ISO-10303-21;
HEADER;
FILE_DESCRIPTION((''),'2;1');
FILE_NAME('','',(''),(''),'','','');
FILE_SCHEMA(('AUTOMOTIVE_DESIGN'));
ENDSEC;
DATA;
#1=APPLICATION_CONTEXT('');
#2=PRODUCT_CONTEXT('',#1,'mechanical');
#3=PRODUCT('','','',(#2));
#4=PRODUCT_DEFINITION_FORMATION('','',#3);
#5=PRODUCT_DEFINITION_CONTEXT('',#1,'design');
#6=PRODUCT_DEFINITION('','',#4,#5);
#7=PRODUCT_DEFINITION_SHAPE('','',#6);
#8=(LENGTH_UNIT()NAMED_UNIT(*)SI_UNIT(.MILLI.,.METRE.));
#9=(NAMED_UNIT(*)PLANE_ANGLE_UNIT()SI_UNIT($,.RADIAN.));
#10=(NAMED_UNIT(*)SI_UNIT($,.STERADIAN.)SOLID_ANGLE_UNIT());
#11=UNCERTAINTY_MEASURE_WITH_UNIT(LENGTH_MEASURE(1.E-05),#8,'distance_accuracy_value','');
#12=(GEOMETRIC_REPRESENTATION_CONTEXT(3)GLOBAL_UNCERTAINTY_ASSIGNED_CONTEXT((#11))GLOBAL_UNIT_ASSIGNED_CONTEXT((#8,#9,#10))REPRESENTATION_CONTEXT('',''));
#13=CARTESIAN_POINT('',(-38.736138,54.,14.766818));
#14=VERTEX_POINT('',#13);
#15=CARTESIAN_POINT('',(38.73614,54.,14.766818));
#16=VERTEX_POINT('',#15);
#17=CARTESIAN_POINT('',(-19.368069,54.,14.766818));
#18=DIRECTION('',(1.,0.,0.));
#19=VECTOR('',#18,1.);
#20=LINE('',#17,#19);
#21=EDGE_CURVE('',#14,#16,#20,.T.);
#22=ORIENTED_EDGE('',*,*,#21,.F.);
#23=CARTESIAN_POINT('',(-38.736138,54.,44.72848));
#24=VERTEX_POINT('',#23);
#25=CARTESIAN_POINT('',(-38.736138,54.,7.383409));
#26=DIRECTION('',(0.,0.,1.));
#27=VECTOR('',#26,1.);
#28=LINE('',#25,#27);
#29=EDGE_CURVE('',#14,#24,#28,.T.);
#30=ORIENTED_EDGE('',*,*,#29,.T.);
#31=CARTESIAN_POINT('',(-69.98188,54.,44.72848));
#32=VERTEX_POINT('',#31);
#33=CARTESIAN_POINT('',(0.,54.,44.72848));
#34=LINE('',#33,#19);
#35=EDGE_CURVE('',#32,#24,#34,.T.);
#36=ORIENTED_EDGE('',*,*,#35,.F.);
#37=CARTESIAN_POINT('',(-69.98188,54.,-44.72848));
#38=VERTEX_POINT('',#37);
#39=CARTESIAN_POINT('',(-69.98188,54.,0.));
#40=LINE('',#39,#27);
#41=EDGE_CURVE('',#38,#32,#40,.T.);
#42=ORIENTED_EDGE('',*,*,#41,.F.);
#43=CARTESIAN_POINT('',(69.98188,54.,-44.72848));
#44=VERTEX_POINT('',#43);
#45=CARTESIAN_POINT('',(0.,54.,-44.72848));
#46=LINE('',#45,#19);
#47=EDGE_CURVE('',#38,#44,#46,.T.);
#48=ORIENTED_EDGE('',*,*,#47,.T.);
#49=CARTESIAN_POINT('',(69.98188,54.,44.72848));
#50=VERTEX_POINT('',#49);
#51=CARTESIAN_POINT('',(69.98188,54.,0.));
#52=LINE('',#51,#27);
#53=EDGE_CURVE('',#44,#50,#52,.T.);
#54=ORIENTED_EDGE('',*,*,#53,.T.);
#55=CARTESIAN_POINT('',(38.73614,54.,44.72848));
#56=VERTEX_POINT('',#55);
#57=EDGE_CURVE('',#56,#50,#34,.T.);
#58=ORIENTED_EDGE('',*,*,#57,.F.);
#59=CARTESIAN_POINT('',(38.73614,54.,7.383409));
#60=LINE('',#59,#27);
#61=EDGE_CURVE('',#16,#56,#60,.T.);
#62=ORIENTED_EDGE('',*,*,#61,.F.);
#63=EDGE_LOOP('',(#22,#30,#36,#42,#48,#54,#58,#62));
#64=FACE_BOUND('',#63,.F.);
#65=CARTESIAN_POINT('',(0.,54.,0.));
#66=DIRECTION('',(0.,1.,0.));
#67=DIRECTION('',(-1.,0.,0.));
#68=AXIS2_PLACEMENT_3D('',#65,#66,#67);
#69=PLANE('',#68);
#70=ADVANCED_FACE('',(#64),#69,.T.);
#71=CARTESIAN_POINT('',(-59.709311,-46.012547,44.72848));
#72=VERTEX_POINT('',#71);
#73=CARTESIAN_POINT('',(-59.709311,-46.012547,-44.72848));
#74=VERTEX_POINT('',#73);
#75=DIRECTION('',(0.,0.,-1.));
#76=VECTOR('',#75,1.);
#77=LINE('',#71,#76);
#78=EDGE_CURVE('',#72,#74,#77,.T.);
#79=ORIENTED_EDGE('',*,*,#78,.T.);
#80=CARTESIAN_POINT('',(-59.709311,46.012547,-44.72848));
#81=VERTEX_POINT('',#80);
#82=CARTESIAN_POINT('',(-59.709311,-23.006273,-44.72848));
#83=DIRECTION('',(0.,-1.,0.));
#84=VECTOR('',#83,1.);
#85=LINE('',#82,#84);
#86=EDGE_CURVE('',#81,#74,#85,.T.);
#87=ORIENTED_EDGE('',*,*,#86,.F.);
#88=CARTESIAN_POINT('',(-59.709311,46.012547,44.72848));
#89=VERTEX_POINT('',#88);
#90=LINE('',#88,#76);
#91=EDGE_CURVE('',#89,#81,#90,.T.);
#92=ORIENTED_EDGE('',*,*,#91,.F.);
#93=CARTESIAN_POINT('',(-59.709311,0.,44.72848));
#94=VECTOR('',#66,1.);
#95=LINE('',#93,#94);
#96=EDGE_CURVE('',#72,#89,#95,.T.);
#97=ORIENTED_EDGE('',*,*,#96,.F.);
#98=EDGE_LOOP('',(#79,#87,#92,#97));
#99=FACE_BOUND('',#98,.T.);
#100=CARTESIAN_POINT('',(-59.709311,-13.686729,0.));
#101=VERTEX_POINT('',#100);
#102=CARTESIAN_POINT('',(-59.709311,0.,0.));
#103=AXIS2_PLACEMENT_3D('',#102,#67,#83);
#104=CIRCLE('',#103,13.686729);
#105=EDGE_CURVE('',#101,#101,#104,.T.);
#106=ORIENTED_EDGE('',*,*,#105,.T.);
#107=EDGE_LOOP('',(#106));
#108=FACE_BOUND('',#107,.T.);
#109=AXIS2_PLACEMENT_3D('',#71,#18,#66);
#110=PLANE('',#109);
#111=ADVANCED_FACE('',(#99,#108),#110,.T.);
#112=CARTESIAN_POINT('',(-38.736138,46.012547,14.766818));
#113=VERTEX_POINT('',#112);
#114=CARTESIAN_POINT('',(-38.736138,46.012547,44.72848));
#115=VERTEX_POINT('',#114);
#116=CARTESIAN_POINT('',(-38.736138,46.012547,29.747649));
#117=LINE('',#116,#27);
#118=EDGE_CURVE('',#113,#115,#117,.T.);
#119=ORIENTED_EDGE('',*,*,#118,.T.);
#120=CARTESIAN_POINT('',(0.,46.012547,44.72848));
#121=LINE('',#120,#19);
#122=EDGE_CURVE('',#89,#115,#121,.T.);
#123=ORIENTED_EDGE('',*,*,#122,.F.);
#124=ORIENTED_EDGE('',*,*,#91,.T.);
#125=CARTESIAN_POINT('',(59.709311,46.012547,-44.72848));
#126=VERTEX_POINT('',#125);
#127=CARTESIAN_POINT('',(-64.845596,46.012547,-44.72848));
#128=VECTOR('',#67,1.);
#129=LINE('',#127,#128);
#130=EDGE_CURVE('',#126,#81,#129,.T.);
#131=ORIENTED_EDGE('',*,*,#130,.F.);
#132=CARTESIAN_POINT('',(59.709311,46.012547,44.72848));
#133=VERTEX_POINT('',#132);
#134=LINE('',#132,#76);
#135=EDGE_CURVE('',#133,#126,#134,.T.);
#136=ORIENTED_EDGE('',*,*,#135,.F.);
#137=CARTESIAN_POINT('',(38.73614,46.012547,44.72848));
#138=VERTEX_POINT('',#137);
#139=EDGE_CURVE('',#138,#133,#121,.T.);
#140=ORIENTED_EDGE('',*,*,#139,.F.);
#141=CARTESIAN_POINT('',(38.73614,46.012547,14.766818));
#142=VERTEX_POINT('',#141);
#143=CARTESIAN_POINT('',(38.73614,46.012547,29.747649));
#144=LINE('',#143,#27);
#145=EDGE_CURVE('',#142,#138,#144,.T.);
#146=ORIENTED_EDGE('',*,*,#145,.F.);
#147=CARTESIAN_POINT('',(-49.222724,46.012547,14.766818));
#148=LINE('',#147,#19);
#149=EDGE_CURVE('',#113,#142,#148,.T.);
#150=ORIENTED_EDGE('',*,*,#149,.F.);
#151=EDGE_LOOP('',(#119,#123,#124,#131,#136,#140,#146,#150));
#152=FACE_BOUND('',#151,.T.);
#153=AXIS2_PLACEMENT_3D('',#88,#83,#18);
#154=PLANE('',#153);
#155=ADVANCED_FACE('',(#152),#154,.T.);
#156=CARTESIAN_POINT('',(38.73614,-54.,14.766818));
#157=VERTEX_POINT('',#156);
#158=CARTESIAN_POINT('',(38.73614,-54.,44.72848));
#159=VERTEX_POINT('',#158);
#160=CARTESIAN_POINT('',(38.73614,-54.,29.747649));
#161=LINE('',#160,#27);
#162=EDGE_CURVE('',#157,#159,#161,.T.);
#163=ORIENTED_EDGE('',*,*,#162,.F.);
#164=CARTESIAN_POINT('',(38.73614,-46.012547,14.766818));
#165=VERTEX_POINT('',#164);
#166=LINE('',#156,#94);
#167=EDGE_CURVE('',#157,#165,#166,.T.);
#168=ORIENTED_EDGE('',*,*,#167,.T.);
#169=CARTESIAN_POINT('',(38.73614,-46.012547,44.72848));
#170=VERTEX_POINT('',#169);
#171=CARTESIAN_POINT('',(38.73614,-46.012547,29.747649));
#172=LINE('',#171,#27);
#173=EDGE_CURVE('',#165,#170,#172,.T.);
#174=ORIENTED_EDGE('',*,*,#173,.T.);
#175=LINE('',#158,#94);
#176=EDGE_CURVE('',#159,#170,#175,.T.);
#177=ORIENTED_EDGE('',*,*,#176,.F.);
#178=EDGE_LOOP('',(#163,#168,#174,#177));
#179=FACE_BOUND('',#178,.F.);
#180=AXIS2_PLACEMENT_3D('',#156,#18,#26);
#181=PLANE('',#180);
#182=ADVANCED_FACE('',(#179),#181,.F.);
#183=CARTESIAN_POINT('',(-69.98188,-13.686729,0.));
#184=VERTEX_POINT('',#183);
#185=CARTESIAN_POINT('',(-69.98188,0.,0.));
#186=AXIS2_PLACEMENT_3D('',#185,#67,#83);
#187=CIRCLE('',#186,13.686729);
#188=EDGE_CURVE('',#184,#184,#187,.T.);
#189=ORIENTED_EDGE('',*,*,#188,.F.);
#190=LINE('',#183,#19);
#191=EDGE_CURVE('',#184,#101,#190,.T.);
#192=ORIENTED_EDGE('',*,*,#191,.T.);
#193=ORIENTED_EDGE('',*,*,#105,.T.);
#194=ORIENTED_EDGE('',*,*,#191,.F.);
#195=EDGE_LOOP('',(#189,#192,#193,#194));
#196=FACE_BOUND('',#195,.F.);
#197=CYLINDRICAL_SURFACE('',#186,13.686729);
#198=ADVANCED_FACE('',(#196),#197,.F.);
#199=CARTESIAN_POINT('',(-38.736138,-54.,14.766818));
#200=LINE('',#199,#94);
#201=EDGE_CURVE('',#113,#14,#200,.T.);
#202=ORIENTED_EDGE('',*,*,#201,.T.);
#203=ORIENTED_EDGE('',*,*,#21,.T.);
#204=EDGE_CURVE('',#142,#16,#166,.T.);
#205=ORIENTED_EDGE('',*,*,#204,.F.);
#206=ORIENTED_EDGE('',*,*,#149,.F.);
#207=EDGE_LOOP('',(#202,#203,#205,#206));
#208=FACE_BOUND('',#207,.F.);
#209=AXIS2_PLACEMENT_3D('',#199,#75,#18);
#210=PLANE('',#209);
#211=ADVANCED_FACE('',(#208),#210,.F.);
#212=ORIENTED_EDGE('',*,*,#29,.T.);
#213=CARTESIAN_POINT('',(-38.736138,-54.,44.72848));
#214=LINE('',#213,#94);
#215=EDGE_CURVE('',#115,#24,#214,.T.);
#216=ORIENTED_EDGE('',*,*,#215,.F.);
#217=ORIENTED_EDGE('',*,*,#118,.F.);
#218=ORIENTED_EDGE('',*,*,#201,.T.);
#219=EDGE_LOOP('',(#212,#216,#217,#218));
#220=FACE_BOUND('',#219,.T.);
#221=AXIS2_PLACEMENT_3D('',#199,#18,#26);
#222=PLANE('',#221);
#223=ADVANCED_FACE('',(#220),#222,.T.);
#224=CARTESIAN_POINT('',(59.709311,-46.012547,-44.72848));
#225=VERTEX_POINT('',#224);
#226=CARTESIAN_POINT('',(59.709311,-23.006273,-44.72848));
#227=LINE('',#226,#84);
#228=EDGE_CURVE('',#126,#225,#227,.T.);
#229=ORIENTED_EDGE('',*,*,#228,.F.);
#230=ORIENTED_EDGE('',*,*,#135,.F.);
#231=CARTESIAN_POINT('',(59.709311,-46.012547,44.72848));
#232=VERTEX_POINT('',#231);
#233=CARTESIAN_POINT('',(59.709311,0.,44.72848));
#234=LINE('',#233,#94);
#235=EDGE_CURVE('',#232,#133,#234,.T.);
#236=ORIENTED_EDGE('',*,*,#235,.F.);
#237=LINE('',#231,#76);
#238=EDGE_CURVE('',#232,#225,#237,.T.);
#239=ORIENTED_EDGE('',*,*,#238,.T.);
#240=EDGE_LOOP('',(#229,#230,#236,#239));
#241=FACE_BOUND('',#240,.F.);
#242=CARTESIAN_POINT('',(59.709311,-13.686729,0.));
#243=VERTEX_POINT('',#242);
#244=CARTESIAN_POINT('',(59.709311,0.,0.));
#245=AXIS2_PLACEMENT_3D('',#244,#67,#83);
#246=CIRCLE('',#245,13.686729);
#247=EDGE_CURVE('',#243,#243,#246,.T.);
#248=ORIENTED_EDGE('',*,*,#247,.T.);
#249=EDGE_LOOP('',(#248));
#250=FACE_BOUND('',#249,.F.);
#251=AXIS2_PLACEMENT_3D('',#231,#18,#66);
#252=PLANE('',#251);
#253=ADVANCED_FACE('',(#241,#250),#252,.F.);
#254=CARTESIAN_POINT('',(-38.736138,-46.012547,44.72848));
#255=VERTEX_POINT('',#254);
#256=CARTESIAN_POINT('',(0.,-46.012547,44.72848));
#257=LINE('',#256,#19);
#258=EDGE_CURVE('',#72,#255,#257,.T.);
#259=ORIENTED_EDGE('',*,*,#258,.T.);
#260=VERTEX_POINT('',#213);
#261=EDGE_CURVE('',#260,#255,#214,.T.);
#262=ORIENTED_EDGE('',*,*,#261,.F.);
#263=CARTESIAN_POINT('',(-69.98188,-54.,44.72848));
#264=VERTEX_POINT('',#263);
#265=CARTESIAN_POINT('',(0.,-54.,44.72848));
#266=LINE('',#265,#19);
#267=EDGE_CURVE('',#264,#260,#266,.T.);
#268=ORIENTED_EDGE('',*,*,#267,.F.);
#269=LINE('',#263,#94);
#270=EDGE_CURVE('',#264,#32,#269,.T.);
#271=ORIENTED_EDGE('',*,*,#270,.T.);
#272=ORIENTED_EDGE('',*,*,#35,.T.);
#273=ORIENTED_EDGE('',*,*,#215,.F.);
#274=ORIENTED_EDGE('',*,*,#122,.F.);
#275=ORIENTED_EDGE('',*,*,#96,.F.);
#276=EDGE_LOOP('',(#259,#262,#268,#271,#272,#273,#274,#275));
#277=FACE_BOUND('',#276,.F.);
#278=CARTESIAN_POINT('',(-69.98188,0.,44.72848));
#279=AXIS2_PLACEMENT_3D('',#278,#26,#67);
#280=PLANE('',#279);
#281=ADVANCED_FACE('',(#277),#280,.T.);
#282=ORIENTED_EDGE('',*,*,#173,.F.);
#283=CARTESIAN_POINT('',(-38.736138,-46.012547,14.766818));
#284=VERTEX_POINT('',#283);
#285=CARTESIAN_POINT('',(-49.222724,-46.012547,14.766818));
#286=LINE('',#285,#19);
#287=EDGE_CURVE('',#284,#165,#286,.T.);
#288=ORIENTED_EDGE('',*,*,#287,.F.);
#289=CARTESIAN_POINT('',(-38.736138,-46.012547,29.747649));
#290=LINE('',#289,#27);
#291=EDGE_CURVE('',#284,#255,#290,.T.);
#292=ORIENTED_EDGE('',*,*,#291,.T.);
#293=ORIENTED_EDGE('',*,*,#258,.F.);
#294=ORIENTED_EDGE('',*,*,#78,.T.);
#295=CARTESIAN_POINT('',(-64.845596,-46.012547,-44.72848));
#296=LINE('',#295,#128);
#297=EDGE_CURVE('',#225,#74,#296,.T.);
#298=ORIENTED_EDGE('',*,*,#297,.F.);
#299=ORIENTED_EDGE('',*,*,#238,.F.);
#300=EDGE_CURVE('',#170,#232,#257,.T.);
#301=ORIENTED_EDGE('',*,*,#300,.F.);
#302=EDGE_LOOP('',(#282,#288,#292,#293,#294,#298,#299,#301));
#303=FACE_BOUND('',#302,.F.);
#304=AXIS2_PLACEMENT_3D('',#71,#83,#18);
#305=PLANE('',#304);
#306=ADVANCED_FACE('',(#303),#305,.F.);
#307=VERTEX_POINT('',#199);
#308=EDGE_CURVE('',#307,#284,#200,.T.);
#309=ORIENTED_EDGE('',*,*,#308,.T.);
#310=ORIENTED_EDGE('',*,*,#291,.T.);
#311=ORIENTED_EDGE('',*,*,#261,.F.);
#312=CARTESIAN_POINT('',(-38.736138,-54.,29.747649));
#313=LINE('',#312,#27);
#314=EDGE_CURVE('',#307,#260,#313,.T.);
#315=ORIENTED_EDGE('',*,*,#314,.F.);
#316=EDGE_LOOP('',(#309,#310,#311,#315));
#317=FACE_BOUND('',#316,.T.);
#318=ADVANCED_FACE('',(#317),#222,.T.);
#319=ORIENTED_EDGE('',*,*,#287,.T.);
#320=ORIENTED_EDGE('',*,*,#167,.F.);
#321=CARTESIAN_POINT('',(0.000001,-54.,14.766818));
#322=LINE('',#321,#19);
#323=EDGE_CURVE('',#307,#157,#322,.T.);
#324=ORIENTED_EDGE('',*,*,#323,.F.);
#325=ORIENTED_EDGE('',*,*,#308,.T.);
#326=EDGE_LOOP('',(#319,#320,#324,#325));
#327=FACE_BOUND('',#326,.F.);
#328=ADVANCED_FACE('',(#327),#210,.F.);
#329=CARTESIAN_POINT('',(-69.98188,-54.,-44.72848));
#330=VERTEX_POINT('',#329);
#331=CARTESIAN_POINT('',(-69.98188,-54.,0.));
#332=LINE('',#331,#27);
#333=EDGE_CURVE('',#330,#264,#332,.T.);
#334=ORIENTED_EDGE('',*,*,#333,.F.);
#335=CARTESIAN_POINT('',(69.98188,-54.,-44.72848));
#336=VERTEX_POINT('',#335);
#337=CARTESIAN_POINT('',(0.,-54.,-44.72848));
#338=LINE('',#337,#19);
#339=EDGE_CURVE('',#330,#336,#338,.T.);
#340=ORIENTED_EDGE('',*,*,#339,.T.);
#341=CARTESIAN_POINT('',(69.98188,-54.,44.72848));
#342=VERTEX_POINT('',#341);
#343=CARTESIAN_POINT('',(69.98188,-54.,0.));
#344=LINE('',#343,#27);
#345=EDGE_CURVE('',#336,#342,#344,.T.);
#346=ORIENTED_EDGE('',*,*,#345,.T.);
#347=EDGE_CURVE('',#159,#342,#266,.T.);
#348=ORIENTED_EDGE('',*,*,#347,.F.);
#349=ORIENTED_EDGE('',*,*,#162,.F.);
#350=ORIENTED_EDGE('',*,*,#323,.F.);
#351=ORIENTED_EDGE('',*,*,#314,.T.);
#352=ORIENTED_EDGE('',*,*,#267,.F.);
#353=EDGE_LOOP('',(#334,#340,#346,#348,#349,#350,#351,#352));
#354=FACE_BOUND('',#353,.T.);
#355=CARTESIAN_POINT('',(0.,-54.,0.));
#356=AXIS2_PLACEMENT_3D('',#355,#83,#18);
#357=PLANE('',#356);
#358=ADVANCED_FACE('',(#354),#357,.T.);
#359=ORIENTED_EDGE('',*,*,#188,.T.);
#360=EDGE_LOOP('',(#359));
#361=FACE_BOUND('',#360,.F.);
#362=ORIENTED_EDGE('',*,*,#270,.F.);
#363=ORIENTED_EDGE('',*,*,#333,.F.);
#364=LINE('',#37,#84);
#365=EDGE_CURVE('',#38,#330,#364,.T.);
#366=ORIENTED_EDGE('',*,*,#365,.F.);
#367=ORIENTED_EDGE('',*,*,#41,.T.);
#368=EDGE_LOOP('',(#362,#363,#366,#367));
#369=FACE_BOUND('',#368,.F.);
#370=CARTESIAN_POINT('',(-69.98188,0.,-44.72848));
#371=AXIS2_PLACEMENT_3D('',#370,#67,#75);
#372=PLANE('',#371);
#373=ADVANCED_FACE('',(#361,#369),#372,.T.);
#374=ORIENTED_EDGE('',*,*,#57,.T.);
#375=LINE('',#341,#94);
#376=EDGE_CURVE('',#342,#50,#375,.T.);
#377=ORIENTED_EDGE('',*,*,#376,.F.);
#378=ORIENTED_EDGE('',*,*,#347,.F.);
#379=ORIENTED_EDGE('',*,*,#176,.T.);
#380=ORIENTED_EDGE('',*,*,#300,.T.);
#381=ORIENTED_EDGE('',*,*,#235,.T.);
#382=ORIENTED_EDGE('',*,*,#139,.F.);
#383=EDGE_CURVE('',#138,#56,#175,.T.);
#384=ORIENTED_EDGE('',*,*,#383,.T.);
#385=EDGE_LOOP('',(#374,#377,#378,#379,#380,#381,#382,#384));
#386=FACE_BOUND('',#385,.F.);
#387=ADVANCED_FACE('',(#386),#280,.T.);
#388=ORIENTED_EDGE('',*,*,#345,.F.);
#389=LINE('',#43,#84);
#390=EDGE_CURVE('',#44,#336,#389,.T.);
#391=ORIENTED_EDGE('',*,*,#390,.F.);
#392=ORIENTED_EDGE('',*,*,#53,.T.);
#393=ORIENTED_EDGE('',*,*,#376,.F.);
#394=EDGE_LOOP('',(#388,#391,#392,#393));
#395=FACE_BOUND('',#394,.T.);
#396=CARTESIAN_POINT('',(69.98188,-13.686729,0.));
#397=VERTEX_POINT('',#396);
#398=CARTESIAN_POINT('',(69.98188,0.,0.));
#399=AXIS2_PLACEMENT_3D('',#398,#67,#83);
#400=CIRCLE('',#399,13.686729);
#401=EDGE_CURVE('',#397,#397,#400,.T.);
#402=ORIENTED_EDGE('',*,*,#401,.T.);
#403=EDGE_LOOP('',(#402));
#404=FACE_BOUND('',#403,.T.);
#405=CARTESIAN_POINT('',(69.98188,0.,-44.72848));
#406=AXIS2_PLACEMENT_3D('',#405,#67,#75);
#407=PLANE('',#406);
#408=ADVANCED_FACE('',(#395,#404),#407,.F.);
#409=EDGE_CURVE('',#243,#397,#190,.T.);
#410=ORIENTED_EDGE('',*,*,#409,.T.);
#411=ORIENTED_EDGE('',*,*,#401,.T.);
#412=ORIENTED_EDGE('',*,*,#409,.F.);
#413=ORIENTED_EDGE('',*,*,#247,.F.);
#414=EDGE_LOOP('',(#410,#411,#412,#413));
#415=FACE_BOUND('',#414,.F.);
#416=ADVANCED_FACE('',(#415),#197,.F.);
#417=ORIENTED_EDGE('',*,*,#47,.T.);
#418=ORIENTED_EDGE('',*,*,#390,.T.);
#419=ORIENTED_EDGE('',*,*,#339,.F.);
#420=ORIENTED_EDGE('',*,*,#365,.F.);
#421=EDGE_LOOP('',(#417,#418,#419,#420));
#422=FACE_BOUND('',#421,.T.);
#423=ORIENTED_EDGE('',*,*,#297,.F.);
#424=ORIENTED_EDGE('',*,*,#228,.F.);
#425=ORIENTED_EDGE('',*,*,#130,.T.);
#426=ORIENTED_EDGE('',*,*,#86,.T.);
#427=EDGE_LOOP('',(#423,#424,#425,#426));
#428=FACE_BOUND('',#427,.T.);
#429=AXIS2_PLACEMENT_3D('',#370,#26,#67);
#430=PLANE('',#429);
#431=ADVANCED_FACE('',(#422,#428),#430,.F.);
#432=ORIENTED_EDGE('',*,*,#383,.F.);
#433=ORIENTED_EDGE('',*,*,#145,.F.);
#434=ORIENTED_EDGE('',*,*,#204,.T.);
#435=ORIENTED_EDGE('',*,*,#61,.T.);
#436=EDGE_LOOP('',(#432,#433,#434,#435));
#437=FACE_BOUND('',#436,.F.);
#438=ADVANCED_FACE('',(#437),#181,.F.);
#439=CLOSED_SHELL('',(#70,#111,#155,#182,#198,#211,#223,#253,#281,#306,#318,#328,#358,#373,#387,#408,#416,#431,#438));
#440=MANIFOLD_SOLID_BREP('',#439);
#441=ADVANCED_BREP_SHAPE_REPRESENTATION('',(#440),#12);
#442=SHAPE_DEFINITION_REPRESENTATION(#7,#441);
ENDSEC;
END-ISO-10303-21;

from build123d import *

# Parameters (mm, degrees)
F0_W     = 139.96376
F0_H     = 89.45696
F1_DEPTH = 54
F3_W     = 119.418622
F3_H     = 92.025094
F4_DEPTH = 98
F5_W     = 77.472278
F5_H     = 29.961662
F6_DEPTH = 195
F7_R     = 13.686729
F8_DEPTH = 202


with BuildPart() as f1:
    # F0 (on Front) → F1 (new body)
    with BuildSketch(Plane.XZ):
        Rectangle(F0_W, F0_H)
    extrude(amount=F1_DEPTH)

    # F2: F1 across face


with BuildPart() as f1_1:
    add(f1.part)
    add(f1.part.mirror(Plane(origin=(0, 0, 0), x_dir=(1, 0, 0), z_dir=(0, 1, 0))))

    # F3 (on face) → F4 (cut)
    with BuildSketch(Plane.XY.offset(44.72848)):
        Rectangle(F3_W, F3_H)
    extrude(amount=-F4_DEPTH, mode=Mode.SUBTRACT)

    # F5 (on face) → F6 (cut)
    with BuildSketch(Plane.XZ.offset(54)):
        with Locations((1e-06, 29.747649)):
            Rectangle(F5_W, F5_H)
    extrude(amount=-F6_DEPTH, mode=Mode.SUBTRACT)

    # F7 (on face) → F8 (cut)
    with BuildSketch(Plane(origin=(-69.98188, 0, 0), x_dir=(0, -1, 0), z_dir=(-1, 0, 0))):
        Circle(F7_R)
    extrude(amount=-F8_DEPTH, mode=Mode.SUBTRACT)


solid = f1_1.part
